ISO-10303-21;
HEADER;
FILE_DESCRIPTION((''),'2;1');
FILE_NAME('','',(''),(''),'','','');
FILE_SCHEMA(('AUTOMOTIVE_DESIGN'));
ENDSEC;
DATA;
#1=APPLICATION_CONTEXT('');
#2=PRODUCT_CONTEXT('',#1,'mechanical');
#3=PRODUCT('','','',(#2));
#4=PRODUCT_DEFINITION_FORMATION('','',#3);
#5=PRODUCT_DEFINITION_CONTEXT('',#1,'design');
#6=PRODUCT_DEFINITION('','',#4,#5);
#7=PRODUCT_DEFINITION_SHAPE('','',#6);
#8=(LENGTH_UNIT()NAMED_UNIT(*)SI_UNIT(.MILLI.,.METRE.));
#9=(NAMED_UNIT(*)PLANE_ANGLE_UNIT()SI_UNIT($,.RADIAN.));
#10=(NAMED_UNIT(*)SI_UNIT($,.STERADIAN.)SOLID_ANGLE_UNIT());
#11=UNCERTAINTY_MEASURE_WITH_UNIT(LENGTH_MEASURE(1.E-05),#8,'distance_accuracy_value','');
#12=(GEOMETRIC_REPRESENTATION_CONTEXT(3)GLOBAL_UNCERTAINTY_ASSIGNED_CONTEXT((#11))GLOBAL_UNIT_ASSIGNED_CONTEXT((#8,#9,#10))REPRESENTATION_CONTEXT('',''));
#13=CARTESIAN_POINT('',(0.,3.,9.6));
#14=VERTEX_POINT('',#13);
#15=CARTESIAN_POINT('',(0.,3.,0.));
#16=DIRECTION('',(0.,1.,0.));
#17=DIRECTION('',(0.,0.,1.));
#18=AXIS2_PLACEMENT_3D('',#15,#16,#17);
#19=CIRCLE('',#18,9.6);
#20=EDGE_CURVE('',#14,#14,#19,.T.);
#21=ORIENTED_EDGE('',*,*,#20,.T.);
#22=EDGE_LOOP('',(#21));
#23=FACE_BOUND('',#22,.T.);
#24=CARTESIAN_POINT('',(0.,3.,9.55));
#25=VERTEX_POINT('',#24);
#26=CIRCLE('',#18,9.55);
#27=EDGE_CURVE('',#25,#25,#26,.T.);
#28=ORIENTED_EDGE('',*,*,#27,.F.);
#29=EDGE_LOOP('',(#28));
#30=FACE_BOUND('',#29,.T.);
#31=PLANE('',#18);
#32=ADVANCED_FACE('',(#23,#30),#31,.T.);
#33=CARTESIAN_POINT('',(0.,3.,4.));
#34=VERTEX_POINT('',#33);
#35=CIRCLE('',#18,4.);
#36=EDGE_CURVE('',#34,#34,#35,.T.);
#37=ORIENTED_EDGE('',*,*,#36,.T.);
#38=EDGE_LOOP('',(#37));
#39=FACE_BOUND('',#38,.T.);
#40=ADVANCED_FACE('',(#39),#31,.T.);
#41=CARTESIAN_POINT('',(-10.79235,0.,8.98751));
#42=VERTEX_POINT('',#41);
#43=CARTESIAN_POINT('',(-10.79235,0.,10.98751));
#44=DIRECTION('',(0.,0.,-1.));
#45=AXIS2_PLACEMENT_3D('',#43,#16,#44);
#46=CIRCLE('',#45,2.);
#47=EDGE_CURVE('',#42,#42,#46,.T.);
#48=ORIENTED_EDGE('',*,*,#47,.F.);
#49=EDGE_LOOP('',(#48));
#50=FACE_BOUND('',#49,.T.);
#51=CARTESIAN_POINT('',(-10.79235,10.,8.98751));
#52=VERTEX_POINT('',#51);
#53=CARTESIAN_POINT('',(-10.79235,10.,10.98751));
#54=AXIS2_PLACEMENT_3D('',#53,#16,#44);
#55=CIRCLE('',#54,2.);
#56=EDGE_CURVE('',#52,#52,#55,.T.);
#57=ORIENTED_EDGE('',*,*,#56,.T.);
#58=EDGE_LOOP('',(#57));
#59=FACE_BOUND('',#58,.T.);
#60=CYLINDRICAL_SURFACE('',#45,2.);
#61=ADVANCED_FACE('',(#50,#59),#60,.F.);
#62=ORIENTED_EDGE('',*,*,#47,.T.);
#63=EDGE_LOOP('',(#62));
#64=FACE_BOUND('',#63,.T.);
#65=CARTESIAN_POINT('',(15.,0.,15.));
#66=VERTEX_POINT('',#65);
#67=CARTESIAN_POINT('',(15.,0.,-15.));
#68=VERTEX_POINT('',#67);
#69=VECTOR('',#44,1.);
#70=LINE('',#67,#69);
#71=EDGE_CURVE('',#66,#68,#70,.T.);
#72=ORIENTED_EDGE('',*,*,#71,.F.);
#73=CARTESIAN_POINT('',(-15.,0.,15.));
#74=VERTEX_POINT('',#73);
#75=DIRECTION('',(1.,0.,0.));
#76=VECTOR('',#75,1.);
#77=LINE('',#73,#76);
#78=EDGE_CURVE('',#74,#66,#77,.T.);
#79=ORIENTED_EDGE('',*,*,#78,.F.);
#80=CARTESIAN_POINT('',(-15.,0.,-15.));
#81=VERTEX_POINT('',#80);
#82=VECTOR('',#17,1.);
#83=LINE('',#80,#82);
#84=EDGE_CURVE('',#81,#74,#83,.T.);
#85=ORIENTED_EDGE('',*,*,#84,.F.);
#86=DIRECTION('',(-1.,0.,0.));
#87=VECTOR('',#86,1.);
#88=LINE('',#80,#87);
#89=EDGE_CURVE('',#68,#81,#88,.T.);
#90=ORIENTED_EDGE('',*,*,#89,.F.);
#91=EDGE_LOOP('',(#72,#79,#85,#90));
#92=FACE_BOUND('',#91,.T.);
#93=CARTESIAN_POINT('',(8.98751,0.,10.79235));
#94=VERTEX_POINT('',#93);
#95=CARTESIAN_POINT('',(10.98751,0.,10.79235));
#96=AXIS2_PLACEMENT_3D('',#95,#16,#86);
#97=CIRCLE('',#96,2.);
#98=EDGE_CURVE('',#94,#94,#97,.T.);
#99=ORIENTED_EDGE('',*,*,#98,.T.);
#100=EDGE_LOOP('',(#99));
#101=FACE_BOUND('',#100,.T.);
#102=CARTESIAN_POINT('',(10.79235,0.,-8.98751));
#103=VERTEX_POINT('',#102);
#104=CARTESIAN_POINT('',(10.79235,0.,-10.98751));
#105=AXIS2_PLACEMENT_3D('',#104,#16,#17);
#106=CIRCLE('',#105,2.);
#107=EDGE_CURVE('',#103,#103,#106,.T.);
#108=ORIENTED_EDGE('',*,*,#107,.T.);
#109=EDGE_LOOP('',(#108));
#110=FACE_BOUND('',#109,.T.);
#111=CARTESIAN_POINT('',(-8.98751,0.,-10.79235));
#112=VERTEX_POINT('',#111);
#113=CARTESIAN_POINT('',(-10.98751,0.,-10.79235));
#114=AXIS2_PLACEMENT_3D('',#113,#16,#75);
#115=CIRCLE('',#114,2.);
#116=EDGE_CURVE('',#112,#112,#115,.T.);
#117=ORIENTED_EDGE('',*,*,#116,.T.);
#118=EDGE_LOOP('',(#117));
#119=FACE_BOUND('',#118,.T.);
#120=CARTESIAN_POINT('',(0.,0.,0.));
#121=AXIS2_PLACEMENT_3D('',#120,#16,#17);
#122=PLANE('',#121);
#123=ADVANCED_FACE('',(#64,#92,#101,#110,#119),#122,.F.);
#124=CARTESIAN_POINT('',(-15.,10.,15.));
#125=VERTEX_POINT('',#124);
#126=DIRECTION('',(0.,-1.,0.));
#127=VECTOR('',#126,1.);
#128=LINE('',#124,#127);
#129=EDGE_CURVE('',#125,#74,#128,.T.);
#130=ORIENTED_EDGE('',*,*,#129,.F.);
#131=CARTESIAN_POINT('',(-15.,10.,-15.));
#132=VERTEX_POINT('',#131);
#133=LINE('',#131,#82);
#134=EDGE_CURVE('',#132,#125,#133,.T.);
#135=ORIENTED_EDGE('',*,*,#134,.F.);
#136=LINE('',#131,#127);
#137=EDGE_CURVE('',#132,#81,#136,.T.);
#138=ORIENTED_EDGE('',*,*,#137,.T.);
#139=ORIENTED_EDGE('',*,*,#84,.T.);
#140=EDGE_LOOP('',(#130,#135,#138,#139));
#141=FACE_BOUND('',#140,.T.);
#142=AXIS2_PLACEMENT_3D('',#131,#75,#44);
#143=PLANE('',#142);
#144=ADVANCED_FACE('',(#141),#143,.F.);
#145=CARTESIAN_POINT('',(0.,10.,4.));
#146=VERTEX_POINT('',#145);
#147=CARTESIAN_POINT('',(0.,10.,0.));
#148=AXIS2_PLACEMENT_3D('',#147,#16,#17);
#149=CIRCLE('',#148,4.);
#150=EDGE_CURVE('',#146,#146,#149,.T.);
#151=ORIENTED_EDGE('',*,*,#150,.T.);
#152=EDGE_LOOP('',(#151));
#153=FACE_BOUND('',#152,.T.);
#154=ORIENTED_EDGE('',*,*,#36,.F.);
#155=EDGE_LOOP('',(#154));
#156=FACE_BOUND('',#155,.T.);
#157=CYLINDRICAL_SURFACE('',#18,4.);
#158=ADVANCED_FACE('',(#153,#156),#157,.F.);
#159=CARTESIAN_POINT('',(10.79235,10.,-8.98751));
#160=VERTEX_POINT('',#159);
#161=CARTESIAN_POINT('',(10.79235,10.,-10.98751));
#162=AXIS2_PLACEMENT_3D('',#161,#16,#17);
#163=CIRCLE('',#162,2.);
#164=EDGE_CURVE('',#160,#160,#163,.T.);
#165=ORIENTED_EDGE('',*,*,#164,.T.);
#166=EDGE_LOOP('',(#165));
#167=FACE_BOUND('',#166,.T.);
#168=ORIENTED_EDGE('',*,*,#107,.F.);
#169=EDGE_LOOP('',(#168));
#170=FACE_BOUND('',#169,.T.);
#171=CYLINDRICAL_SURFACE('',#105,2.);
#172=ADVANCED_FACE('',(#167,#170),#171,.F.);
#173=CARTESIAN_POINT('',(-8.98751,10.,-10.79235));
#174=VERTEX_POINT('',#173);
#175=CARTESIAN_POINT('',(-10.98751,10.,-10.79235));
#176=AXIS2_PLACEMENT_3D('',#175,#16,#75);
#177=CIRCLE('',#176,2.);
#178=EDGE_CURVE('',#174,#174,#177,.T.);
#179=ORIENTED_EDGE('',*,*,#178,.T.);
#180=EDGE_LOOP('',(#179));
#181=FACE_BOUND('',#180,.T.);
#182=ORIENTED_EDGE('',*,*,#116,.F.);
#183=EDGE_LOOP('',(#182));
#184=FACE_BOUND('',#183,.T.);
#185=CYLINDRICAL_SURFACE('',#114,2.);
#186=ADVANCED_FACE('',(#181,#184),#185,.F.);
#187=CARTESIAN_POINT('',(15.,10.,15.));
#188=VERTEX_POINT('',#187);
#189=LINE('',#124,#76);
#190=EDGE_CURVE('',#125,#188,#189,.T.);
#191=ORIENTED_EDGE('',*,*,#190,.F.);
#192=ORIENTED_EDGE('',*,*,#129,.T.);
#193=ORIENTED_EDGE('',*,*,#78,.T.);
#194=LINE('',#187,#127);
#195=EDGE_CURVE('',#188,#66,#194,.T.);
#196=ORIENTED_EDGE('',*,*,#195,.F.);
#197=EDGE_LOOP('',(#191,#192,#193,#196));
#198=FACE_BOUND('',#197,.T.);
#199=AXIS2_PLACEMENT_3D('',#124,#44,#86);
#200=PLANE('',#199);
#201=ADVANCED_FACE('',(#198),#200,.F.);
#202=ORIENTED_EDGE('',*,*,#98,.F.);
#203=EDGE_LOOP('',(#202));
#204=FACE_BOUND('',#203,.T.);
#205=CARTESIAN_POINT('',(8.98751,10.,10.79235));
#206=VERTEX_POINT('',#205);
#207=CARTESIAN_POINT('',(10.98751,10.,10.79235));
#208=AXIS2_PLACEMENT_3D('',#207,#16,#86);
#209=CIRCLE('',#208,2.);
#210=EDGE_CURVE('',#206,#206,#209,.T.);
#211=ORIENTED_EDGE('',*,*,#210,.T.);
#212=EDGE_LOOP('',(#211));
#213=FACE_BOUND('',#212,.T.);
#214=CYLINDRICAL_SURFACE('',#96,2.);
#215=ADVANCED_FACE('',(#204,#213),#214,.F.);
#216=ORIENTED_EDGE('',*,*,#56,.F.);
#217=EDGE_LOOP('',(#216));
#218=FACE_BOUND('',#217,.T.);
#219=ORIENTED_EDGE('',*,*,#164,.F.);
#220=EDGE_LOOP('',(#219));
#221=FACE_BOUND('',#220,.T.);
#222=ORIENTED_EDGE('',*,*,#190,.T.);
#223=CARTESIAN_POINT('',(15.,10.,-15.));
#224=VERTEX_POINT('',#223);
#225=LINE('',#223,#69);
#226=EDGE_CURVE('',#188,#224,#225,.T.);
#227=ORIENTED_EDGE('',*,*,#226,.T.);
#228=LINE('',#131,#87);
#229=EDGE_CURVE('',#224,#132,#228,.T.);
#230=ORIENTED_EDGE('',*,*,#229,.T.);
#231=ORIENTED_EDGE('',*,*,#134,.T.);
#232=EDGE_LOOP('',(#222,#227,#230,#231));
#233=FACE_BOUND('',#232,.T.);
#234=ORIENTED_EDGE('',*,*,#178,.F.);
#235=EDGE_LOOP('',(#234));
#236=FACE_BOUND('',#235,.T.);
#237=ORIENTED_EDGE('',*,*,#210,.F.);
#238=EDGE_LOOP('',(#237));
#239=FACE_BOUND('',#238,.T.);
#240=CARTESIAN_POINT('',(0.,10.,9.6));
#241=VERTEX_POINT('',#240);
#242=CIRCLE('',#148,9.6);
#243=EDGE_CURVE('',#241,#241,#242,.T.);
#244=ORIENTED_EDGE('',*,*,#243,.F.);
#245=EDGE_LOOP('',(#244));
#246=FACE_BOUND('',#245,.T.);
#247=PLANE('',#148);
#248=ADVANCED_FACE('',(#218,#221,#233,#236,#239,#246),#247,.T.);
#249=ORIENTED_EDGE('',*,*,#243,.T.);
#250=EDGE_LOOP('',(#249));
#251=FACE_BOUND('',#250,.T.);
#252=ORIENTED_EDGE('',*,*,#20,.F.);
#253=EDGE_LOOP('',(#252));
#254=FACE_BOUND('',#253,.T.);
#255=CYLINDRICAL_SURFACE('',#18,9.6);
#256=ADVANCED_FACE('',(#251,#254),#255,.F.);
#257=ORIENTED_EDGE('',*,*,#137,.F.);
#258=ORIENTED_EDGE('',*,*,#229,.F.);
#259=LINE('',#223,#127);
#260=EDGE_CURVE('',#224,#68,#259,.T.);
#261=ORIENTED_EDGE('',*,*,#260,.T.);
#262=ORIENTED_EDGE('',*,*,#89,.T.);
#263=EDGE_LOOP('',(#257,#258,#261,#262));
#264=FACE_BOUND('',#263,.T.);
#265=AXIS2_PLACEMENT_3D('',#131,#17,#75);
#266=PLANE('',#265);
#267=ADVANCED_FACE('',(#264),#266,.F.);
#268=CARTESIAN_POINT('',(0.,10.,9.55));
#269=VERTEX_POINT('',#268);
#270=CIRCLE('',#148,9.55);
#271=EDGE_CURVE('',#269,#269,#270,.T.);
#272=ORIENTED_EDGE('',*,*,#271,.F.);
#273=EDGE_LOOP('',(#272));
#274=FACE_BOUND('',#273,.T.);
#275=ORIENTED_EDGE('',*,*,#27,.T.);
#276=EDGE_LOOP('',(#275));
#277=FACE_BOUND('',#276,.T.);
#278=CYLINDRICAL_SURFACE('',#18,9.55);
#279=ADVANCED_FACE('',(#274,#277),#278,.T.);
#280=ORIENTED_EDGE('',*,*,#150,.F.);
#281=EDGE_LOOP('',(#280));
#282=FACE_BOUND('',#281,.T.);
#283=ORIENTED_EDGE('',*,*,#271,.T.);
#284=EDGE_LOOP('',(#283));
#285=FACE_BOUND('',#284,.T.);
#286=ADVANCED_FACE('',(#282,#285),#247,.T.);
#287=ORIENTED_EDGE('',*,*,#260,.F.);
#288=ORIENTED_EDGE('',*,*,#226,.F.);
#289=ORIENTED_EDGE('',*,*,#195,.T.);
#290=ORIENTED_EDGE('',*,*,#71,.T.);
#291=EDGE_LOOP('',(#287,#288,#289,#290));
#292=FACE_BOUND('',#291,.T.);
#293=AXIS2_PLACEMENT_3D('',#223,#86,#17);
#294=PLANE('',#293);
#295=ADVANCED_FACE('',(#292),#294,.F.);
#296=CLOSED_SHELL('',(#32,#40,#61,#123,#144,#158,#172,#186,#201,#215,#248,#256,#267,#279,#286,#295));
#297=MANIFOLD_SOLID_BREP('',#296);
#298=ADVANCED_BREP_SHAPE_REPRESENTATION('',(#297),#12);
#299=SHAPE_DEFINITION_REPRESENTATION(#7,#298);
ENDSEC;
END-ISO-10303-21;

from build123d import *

# Parameters (mm, degrees)
SKETCH1_W           = 30
SKETCH1_H           = 30
BOSS_EXTRUDE1_DEPTH = 10
SKETCH2_R           = 9.6
SKETCH2_R_2         = 9.55
CUT_EXTRUDE1_DEPTH  = 7
SKETCH3_R           = 4
CUT_EXTRUDE2_DEPTH  = 7
SKETCH4_R           = 2
CUT_EXTRUDE3_DEPTH  = 10
CIRPATTERN1_COUNT   = 4


with BuildPart() as part:
    # Sketch1 → Boss-Extrude1 (new body)
    with BuildSketch(Plane(origin=(0, 0, 0), x_dir=(1, 0, 0), z_dir=(0, 1, 0))):
        Rectangle(SKETCH1_W, SKETCH1_H)
    extrude(amount=BOSS_EXTRUDE1_DEPTH)

    # Sketch2 → Cut-Extrude1 (cut)
    with BuildSketch(Plane(origin=(0, 10, 0), x_dir=(1, 0, 0), z_dir=(0, 1, 0))):
        Circle(SKETCH2_R)
        Circle(SKETCH2_R_2, mode=Mode.SUBTRACT)
    extrude(amount=-CUT_EXTRUDE1_DEPTH, mode=Mode.SUBTRACT)

    # Sketch3 → Cut-Extrude2 (cut)
    with BuildSketch(Plane(origin=(0, 10, 0), x_dir=(1, 0, 0), z_dir=(0, 1, 0))):
        Circle(SKETCH3_R)
    extrude(amount=-CUT_EXTRUDE2_DEPTH, mode=Mode.SUBTRACT)

    # Sketch4 → Cut-Extrude3 (cut)
    with BuildSketch(Plane(origin=(0, 10, 0), x_dir=(1, 0, 0), z_dir=(0, 1, 0))):
        with Locations((10.792349727, 10.987509758)):
            Circle(SKETCH4_R)
    cut_extrude3 = extrude(amount=-CUT_EXTRUDE3_DEPTH, mode=Mode.SUBTRACT)

    # CirPattern1: Cut-Extrude3 ×4 about axis
    cirpattern1_axis = Axis((0, 0, 0), (0, 1, 0))
    for i in range(1, CIRPATTERN1_COUNT):
        add(cut_extrude3.rotate(cirpattern1_axis, i * 360 / CIRPATTERN1_COUNT), mode=Mode.SUBTRACT)


solid = part.part
